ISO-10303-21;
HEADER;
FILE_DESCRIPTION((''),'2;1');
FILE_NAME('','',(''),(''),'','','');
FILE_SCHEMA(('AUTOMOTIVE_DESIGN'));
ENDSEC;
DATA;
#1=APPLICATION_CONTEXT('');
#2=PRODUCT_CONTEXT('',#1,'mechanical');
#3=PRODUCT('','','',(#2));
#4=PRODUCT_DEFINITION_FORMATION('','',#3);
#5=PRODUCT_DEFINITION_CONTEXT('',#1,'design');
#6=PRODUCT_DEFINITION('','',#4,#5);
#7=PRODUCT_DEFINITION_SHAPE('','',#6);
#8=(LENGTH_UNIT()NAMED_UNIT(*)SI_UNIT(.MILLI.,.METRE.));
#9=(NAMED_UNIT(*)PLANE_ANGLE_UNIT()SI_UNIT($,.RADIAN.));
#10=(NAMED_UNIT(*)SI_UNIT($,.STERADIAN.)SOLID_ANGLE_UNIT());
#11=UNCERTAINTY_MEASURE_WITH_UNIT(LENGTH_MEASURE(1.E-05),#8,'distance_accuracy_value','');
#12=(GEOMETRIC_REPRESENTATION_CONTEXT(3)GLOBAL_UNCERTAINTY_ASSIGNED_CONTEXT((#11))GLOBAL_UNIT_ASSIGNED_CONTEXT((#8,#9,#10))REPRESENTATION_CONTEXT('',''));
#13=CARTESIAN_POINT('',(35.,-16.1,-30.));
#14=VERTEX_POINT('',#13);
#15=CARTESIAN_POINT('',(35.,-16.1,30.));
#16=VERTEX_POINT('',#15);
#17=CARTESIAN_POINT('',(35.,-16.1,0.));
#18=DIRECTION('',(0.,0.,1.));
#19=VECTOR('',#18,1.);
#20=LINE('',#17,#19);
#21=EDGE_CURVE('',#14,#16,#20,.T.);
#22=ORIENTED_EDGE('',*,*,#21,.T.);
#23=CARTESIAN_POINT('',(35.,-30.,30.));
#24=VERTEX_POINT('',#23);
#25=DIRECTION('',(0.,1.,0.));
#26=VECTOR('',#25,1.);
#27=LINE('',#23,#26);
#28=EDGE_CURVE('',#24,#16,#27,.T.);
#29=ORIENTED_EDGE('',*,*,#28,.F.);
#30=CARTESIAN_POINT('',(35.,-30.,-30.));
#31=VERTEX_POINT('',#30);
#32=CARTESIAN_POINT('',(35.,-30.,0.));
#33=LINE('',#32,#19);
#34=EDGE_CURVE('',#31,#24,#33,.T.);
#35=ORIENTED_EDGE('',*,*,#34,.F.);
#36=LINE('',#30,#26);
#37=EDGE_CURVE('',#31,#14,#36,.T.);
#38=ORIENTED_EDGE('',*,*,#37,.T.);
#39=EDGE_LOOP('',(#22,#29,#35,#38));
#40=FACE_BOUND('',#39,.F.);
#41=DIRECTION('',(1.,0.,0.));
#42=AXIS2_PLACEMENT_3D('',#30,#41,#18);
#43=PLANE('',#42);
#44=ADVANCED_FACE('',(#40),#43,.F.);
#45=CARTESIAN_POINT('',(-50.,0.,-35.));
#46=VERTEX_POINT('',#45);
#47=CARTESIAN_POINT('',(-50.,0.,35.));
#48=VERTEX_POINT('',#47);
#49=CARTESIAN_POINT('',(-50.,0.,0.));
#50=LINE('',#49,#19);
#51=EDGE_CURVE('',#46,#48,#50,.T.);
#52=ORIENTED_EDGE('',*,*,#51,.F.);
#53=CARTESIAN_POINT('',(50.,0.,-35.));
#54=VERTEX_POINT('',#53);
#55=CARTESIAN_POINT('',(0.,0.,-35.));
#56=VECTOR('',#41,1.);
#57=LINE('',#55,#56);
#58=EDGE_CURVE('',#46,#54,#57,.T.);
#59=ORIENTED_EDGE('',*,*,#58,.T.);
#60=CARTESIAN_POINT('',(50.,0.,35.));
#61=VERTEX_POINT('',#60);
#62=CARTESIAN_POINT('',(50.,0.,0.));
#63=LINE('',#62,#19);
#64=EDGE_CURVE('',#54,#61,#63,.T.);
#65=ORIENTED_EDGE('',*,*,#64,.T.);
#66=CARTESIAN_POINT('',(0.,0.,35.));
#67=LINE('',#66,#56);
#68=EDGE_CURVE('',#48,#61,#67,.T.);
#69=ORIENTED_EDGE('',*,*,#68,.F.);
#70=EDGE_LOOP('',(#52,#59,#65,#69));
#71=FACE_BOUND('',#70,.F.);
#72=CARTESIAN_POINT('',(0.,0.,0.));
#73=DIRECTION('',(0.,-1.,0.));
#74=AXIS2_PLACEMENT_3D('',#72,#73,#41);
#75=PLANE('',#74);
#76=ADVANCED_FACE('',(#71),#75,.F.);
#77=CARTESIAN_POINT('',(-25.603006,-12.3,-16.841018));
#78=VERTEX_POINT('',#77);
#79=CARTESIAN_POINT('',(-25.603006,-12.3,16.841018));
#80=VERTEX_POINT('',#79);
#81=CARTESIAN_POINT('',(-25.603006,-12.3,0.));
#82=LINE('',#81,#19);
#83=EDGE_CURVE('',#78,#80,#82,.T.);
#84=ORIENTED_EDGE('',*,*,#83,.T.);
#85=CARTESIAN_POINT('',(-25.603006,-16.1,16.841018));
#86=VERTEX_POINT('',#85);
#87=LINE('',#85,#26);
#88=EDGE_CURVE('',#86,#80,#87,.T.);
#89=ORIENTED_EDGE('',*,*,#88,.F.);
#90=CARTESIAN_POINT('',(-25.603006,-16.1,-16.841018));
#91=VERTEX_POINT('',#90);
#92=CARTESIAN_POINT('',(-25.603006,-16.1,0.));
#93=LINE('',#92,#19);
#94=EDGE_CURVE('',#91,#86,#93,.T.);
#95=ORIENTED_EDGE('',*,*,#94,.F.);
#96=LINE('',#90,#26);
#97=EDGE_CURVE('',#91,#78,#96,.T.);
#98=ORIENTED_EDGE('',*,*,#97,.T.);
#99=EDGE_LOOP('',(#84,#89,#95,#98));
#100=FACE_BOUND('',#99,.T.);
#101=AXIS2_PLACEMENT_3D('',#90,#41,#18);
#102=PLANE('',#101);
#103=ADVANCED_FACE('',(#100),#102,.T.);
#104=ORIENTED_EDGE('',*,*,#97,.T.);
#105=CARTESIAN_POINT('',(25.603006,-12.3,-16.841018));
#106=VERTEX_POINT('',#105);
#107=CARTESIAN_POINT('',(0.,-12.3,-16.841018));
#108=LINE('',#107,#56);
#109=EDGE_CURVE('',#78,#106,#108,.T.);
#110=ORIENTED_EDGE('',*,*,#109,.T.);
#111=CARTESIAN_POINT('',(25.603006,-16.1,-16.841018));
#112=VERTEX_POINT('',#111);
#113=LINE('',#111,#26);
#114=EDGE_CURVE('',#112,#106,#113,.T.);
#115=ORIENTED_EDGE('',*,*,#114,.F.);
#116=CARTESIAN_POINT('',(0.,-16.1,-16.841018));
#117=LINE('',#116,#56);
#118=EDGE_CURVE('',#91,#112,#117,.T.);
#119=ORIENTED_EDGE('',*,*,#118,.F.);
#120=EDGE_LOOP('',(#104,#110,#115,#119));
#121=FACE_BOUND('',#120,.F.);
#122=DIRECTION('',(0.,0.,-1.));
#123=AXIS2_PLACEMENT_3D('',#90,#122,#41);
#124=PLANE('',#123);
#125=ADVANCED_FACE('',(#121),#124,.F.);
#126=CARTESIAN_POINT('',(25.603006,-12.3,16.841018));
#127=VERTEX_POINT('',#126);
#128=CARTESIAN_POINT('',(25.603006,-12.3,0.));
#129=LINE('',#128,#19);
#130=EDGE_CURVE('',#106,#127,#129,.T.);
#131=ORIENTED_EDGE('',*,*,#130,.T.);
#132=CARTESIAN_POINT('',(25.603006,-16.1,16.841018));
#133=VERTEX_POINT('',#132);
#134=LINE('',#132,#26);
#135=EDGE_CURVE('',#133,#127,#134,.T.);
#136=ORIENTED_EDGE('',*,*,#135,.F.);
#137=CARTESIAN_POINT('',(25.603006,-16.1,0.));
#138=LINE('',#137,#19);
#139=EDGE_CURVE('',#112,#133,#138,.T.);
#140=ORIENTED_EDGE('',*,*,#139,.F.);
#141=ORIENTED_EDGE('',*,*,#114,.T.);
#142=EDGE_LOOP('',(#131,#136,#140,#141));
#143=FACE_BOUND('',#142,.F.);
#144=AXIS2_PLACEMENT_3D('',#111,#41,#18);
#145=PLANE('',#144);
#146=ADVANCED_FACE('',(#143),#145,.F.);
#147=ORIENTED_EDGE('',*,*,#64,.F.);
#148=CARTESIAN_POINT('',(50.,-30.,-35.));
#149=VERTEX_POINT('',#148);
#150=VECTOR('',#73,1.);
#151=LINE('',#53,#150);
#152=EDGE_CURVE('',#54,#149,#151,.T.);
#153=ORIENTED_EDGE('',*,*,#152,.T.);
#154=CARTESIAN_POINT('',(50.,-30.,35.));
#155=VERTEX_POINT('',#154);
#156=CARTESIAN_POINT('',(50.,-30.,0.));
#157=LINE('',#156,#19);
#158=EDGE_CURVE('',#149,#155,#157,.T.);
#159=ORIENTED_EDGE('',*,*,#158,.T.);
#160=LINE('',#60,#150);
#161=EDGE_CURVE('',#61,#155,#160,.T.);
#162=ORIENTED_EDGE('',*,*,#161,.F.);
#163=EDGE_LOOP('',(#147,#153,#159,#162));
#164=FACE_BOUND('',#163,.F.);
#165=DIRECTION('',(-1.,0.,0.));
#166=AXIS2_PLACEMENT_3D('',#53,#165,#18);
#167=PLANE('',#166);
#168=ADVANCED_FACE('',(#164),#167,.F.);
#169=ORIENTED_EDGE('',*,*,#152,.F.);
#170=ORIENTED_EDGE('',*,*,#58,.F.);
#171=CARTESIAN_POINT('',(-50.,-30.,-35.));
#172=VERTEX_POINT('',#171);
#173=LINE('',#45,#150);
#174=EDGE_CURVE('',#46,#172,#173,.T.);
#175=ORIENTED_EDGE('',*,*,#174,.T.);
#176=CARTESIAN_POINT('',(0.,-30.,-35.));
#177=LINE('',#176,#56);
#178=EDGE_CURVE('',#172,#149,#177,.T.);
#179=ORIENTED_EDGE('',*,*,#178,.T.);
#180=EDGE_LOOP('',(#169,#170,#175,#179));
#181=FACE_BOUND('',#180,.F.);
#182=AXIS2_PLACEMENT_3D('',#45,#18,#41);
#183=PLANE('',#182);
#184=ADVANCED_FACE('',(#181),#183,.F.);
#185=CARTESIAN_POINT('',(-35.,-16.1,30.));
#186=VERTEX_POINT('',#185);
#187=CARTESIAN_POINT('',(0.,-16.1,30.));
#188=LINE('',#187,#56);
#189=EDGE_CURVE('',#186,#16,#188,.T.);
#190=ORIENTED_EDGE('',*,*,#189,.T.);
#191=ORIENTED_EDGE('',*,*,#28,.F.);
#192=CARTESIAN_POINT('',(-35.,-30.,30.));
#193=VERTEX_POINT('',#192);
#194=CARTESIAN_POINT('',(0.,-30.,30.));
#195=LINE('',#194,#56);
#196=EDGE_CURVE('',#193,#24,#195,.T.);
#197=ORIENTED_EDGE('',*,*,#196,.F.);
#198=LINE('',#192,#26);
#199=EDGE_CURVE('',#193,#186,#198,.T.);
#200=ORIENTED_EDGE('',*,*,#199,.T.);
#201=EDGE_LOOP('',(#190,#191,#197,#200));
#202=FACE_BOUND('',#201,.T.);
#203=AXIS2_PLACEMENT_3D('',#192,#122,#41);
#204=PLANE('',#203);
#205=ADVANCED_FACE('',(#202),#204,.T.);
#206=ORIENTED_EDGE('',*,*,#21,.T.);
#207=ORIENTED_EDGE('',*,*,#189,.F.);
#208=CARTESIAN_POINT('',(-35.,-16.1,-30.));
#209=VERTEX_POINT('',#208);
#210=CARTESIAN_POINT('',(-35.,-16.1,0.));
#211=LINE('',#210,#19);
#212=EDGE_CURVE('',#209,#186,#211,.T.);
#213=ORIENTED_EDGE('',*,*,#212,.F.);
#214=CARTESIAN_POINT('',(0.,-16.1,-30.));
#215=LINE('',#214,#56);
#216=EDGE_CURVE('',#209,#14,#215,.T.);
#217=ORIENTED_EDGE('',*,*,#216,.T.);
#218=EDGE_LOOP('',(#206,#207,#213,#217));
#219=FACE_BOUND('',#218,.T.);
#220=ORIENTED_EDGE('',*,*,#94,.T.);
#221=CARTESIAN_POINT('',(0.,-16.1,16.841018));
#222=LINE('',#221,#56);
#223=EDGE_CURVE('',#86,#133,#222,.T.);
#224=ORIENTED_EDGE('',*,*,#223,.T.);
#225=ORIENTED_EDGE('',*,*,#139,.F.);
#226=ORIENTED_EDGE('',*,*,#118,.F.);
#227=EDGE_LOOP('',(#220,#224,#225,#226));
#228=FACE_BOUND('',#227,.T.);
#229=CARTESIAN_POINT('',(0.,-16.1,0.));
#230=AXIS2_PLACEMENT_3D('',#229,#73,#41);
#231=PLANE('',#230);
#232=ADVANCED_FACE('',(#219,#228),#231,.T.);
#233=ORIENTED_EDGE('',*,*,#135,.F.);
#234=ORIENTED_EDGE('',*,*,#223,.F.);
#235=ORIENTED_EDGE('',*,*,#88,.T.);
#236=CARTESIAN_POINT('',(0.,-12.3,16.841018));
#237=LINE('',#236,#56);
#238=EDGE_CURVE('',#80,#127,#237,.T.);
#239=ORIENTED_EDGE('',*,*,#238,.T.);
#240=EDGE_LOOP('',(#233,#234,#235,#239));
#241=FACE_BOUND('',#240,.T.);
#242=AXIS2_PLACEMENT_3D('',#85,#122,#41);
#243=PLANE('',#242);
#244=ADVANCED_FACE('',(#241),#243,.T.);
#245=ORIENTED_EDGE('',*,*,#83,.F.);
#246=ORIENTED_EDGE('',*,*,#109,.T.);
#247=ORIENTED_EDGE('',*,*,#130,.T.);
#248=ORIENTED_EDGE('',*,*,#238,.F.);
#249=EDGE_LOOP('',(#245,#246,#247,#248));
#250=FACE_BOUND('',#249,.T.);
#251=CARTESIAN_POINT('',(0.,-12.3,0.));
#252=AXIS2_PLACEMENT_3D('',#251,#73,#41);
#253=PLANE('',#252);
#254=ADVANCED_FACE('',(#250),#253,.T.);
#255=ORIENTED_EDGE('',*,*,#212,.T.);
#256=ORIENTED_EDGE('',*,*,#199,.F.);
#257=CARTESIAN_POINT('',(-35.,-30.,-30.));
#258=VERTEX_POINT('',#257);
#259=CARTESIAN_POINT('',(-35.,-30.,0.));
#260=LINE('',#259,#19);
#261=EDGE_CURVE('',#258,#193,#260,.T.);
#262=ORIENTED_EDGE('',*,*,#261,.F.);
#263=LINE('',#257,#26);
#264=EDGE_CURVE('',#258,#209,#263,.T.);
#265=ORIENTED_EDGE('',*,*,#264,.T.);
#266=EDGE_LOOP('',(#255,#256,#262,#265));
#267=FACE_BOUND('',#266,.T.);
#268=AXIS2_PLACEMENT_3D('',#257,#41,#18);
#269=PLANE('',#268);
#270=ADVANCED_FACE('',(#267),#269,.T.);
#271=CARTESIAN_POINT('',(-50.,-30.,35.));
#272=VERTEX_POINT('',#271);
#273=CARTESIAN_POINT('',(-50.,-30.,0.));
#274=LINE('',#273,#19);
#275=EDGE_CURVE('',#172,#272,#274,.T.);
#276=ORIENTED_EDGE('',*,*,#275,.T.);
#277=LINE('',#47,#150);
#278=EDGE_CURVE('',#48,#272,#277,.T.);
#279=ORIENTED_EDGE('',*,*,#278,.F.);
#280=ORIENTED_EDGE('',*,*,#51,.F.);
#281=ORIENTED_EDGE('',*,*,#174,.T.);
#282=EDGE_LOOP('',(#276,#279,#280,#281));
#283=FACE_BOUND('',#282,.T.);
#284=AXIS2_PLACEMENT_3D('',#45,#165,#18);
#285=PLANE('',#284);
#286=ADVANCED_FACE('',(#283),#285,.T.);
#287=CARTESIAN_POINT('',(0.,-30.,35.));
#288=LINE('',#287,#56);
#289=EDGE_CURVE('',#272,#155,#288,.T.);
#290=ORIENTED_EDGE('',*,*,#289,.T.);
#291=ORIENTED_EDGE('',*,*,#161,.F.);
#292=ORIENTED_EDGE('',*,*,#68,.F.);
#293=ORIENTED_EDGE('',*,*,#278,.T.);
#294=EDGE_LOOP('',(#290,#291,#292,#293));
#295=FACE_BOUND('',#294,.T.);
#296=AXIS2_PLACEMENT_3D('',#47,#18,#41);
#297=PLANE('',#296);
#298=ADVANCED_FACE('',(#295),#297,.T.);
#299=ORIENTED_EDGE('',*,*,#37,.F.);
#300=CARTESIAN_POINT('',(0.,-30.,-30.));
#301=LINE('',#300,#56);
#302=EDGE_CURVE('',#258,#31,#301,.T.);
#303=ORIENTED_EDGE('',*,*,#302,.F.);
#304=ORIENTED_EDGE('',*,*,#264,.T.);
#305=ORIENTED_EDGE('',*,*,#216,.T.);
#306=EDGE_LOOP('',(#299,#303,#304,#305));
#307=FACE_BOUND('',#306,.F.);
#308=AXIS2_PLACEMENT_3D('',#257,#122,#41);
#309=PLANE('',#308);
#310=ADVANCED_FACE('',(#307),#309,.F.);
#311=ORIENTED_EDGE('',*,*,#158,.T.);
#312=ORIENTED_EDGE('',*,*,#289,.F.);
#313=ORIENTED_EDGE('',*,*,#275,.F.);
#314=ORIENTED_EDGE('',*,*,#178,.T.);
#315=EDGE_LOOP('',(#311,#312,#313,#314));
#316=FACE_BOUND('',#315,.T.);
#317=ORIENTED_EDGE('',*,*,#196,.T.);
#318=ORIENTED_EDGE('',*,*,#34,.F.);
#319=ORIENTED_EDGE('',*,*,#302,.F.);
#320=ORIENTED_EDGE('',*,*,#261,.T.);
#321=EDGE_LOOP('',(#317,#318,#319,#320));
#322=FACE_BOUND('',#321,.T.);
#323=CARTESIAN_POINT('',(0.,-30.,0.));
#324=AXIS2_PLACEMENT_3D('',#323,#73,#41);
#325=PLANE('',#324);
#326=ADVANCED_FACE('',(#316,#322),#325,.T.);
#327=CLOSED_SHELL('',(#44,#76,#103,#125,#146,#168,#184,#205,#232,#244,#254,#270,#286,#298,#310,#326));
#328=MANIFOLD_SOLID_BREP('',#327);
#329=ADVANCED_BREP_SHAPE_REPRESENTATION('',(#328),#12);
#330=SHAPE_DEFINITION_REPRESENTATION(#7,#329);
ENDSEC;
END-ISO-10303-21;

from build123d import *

# Parameters (mm, degrees)
F0_W     = 100
F0_H     = 70
F1_DEPTH = 30
F2_W     = 70
F2_H     = 60
F3_DEPTH = 13.9
F4_W     = 51.206012
F4_H     = 33.682036
F5_DEPTH = 3.8


with BuildPart() as f1:
    # F0 (on Front) → F1 (new body)
    with BuildSketch(Plane.XZ):
        Rectangle(F0_W, F0_H)
    extrude(amount=F1_DEPTH)

    # F2 (on face) → F3 (cut)
    with BuildSketch(Plane.XZ.offset(30)):
        Rectangle(F2_W, F2_H)
    extrude(amount=-F3_DEPTH, mode=Mode.SUBTRACT)

    # F4 (on face) → F5 (cut)
    with BuildSketch(Plane.XZ.offset(16.1)):
        Rectangle(F4_W, F4_H)
    extrude(amount=-F5_DEPTH, mode=Mode.SUBTRACT)


solid = f1.part
